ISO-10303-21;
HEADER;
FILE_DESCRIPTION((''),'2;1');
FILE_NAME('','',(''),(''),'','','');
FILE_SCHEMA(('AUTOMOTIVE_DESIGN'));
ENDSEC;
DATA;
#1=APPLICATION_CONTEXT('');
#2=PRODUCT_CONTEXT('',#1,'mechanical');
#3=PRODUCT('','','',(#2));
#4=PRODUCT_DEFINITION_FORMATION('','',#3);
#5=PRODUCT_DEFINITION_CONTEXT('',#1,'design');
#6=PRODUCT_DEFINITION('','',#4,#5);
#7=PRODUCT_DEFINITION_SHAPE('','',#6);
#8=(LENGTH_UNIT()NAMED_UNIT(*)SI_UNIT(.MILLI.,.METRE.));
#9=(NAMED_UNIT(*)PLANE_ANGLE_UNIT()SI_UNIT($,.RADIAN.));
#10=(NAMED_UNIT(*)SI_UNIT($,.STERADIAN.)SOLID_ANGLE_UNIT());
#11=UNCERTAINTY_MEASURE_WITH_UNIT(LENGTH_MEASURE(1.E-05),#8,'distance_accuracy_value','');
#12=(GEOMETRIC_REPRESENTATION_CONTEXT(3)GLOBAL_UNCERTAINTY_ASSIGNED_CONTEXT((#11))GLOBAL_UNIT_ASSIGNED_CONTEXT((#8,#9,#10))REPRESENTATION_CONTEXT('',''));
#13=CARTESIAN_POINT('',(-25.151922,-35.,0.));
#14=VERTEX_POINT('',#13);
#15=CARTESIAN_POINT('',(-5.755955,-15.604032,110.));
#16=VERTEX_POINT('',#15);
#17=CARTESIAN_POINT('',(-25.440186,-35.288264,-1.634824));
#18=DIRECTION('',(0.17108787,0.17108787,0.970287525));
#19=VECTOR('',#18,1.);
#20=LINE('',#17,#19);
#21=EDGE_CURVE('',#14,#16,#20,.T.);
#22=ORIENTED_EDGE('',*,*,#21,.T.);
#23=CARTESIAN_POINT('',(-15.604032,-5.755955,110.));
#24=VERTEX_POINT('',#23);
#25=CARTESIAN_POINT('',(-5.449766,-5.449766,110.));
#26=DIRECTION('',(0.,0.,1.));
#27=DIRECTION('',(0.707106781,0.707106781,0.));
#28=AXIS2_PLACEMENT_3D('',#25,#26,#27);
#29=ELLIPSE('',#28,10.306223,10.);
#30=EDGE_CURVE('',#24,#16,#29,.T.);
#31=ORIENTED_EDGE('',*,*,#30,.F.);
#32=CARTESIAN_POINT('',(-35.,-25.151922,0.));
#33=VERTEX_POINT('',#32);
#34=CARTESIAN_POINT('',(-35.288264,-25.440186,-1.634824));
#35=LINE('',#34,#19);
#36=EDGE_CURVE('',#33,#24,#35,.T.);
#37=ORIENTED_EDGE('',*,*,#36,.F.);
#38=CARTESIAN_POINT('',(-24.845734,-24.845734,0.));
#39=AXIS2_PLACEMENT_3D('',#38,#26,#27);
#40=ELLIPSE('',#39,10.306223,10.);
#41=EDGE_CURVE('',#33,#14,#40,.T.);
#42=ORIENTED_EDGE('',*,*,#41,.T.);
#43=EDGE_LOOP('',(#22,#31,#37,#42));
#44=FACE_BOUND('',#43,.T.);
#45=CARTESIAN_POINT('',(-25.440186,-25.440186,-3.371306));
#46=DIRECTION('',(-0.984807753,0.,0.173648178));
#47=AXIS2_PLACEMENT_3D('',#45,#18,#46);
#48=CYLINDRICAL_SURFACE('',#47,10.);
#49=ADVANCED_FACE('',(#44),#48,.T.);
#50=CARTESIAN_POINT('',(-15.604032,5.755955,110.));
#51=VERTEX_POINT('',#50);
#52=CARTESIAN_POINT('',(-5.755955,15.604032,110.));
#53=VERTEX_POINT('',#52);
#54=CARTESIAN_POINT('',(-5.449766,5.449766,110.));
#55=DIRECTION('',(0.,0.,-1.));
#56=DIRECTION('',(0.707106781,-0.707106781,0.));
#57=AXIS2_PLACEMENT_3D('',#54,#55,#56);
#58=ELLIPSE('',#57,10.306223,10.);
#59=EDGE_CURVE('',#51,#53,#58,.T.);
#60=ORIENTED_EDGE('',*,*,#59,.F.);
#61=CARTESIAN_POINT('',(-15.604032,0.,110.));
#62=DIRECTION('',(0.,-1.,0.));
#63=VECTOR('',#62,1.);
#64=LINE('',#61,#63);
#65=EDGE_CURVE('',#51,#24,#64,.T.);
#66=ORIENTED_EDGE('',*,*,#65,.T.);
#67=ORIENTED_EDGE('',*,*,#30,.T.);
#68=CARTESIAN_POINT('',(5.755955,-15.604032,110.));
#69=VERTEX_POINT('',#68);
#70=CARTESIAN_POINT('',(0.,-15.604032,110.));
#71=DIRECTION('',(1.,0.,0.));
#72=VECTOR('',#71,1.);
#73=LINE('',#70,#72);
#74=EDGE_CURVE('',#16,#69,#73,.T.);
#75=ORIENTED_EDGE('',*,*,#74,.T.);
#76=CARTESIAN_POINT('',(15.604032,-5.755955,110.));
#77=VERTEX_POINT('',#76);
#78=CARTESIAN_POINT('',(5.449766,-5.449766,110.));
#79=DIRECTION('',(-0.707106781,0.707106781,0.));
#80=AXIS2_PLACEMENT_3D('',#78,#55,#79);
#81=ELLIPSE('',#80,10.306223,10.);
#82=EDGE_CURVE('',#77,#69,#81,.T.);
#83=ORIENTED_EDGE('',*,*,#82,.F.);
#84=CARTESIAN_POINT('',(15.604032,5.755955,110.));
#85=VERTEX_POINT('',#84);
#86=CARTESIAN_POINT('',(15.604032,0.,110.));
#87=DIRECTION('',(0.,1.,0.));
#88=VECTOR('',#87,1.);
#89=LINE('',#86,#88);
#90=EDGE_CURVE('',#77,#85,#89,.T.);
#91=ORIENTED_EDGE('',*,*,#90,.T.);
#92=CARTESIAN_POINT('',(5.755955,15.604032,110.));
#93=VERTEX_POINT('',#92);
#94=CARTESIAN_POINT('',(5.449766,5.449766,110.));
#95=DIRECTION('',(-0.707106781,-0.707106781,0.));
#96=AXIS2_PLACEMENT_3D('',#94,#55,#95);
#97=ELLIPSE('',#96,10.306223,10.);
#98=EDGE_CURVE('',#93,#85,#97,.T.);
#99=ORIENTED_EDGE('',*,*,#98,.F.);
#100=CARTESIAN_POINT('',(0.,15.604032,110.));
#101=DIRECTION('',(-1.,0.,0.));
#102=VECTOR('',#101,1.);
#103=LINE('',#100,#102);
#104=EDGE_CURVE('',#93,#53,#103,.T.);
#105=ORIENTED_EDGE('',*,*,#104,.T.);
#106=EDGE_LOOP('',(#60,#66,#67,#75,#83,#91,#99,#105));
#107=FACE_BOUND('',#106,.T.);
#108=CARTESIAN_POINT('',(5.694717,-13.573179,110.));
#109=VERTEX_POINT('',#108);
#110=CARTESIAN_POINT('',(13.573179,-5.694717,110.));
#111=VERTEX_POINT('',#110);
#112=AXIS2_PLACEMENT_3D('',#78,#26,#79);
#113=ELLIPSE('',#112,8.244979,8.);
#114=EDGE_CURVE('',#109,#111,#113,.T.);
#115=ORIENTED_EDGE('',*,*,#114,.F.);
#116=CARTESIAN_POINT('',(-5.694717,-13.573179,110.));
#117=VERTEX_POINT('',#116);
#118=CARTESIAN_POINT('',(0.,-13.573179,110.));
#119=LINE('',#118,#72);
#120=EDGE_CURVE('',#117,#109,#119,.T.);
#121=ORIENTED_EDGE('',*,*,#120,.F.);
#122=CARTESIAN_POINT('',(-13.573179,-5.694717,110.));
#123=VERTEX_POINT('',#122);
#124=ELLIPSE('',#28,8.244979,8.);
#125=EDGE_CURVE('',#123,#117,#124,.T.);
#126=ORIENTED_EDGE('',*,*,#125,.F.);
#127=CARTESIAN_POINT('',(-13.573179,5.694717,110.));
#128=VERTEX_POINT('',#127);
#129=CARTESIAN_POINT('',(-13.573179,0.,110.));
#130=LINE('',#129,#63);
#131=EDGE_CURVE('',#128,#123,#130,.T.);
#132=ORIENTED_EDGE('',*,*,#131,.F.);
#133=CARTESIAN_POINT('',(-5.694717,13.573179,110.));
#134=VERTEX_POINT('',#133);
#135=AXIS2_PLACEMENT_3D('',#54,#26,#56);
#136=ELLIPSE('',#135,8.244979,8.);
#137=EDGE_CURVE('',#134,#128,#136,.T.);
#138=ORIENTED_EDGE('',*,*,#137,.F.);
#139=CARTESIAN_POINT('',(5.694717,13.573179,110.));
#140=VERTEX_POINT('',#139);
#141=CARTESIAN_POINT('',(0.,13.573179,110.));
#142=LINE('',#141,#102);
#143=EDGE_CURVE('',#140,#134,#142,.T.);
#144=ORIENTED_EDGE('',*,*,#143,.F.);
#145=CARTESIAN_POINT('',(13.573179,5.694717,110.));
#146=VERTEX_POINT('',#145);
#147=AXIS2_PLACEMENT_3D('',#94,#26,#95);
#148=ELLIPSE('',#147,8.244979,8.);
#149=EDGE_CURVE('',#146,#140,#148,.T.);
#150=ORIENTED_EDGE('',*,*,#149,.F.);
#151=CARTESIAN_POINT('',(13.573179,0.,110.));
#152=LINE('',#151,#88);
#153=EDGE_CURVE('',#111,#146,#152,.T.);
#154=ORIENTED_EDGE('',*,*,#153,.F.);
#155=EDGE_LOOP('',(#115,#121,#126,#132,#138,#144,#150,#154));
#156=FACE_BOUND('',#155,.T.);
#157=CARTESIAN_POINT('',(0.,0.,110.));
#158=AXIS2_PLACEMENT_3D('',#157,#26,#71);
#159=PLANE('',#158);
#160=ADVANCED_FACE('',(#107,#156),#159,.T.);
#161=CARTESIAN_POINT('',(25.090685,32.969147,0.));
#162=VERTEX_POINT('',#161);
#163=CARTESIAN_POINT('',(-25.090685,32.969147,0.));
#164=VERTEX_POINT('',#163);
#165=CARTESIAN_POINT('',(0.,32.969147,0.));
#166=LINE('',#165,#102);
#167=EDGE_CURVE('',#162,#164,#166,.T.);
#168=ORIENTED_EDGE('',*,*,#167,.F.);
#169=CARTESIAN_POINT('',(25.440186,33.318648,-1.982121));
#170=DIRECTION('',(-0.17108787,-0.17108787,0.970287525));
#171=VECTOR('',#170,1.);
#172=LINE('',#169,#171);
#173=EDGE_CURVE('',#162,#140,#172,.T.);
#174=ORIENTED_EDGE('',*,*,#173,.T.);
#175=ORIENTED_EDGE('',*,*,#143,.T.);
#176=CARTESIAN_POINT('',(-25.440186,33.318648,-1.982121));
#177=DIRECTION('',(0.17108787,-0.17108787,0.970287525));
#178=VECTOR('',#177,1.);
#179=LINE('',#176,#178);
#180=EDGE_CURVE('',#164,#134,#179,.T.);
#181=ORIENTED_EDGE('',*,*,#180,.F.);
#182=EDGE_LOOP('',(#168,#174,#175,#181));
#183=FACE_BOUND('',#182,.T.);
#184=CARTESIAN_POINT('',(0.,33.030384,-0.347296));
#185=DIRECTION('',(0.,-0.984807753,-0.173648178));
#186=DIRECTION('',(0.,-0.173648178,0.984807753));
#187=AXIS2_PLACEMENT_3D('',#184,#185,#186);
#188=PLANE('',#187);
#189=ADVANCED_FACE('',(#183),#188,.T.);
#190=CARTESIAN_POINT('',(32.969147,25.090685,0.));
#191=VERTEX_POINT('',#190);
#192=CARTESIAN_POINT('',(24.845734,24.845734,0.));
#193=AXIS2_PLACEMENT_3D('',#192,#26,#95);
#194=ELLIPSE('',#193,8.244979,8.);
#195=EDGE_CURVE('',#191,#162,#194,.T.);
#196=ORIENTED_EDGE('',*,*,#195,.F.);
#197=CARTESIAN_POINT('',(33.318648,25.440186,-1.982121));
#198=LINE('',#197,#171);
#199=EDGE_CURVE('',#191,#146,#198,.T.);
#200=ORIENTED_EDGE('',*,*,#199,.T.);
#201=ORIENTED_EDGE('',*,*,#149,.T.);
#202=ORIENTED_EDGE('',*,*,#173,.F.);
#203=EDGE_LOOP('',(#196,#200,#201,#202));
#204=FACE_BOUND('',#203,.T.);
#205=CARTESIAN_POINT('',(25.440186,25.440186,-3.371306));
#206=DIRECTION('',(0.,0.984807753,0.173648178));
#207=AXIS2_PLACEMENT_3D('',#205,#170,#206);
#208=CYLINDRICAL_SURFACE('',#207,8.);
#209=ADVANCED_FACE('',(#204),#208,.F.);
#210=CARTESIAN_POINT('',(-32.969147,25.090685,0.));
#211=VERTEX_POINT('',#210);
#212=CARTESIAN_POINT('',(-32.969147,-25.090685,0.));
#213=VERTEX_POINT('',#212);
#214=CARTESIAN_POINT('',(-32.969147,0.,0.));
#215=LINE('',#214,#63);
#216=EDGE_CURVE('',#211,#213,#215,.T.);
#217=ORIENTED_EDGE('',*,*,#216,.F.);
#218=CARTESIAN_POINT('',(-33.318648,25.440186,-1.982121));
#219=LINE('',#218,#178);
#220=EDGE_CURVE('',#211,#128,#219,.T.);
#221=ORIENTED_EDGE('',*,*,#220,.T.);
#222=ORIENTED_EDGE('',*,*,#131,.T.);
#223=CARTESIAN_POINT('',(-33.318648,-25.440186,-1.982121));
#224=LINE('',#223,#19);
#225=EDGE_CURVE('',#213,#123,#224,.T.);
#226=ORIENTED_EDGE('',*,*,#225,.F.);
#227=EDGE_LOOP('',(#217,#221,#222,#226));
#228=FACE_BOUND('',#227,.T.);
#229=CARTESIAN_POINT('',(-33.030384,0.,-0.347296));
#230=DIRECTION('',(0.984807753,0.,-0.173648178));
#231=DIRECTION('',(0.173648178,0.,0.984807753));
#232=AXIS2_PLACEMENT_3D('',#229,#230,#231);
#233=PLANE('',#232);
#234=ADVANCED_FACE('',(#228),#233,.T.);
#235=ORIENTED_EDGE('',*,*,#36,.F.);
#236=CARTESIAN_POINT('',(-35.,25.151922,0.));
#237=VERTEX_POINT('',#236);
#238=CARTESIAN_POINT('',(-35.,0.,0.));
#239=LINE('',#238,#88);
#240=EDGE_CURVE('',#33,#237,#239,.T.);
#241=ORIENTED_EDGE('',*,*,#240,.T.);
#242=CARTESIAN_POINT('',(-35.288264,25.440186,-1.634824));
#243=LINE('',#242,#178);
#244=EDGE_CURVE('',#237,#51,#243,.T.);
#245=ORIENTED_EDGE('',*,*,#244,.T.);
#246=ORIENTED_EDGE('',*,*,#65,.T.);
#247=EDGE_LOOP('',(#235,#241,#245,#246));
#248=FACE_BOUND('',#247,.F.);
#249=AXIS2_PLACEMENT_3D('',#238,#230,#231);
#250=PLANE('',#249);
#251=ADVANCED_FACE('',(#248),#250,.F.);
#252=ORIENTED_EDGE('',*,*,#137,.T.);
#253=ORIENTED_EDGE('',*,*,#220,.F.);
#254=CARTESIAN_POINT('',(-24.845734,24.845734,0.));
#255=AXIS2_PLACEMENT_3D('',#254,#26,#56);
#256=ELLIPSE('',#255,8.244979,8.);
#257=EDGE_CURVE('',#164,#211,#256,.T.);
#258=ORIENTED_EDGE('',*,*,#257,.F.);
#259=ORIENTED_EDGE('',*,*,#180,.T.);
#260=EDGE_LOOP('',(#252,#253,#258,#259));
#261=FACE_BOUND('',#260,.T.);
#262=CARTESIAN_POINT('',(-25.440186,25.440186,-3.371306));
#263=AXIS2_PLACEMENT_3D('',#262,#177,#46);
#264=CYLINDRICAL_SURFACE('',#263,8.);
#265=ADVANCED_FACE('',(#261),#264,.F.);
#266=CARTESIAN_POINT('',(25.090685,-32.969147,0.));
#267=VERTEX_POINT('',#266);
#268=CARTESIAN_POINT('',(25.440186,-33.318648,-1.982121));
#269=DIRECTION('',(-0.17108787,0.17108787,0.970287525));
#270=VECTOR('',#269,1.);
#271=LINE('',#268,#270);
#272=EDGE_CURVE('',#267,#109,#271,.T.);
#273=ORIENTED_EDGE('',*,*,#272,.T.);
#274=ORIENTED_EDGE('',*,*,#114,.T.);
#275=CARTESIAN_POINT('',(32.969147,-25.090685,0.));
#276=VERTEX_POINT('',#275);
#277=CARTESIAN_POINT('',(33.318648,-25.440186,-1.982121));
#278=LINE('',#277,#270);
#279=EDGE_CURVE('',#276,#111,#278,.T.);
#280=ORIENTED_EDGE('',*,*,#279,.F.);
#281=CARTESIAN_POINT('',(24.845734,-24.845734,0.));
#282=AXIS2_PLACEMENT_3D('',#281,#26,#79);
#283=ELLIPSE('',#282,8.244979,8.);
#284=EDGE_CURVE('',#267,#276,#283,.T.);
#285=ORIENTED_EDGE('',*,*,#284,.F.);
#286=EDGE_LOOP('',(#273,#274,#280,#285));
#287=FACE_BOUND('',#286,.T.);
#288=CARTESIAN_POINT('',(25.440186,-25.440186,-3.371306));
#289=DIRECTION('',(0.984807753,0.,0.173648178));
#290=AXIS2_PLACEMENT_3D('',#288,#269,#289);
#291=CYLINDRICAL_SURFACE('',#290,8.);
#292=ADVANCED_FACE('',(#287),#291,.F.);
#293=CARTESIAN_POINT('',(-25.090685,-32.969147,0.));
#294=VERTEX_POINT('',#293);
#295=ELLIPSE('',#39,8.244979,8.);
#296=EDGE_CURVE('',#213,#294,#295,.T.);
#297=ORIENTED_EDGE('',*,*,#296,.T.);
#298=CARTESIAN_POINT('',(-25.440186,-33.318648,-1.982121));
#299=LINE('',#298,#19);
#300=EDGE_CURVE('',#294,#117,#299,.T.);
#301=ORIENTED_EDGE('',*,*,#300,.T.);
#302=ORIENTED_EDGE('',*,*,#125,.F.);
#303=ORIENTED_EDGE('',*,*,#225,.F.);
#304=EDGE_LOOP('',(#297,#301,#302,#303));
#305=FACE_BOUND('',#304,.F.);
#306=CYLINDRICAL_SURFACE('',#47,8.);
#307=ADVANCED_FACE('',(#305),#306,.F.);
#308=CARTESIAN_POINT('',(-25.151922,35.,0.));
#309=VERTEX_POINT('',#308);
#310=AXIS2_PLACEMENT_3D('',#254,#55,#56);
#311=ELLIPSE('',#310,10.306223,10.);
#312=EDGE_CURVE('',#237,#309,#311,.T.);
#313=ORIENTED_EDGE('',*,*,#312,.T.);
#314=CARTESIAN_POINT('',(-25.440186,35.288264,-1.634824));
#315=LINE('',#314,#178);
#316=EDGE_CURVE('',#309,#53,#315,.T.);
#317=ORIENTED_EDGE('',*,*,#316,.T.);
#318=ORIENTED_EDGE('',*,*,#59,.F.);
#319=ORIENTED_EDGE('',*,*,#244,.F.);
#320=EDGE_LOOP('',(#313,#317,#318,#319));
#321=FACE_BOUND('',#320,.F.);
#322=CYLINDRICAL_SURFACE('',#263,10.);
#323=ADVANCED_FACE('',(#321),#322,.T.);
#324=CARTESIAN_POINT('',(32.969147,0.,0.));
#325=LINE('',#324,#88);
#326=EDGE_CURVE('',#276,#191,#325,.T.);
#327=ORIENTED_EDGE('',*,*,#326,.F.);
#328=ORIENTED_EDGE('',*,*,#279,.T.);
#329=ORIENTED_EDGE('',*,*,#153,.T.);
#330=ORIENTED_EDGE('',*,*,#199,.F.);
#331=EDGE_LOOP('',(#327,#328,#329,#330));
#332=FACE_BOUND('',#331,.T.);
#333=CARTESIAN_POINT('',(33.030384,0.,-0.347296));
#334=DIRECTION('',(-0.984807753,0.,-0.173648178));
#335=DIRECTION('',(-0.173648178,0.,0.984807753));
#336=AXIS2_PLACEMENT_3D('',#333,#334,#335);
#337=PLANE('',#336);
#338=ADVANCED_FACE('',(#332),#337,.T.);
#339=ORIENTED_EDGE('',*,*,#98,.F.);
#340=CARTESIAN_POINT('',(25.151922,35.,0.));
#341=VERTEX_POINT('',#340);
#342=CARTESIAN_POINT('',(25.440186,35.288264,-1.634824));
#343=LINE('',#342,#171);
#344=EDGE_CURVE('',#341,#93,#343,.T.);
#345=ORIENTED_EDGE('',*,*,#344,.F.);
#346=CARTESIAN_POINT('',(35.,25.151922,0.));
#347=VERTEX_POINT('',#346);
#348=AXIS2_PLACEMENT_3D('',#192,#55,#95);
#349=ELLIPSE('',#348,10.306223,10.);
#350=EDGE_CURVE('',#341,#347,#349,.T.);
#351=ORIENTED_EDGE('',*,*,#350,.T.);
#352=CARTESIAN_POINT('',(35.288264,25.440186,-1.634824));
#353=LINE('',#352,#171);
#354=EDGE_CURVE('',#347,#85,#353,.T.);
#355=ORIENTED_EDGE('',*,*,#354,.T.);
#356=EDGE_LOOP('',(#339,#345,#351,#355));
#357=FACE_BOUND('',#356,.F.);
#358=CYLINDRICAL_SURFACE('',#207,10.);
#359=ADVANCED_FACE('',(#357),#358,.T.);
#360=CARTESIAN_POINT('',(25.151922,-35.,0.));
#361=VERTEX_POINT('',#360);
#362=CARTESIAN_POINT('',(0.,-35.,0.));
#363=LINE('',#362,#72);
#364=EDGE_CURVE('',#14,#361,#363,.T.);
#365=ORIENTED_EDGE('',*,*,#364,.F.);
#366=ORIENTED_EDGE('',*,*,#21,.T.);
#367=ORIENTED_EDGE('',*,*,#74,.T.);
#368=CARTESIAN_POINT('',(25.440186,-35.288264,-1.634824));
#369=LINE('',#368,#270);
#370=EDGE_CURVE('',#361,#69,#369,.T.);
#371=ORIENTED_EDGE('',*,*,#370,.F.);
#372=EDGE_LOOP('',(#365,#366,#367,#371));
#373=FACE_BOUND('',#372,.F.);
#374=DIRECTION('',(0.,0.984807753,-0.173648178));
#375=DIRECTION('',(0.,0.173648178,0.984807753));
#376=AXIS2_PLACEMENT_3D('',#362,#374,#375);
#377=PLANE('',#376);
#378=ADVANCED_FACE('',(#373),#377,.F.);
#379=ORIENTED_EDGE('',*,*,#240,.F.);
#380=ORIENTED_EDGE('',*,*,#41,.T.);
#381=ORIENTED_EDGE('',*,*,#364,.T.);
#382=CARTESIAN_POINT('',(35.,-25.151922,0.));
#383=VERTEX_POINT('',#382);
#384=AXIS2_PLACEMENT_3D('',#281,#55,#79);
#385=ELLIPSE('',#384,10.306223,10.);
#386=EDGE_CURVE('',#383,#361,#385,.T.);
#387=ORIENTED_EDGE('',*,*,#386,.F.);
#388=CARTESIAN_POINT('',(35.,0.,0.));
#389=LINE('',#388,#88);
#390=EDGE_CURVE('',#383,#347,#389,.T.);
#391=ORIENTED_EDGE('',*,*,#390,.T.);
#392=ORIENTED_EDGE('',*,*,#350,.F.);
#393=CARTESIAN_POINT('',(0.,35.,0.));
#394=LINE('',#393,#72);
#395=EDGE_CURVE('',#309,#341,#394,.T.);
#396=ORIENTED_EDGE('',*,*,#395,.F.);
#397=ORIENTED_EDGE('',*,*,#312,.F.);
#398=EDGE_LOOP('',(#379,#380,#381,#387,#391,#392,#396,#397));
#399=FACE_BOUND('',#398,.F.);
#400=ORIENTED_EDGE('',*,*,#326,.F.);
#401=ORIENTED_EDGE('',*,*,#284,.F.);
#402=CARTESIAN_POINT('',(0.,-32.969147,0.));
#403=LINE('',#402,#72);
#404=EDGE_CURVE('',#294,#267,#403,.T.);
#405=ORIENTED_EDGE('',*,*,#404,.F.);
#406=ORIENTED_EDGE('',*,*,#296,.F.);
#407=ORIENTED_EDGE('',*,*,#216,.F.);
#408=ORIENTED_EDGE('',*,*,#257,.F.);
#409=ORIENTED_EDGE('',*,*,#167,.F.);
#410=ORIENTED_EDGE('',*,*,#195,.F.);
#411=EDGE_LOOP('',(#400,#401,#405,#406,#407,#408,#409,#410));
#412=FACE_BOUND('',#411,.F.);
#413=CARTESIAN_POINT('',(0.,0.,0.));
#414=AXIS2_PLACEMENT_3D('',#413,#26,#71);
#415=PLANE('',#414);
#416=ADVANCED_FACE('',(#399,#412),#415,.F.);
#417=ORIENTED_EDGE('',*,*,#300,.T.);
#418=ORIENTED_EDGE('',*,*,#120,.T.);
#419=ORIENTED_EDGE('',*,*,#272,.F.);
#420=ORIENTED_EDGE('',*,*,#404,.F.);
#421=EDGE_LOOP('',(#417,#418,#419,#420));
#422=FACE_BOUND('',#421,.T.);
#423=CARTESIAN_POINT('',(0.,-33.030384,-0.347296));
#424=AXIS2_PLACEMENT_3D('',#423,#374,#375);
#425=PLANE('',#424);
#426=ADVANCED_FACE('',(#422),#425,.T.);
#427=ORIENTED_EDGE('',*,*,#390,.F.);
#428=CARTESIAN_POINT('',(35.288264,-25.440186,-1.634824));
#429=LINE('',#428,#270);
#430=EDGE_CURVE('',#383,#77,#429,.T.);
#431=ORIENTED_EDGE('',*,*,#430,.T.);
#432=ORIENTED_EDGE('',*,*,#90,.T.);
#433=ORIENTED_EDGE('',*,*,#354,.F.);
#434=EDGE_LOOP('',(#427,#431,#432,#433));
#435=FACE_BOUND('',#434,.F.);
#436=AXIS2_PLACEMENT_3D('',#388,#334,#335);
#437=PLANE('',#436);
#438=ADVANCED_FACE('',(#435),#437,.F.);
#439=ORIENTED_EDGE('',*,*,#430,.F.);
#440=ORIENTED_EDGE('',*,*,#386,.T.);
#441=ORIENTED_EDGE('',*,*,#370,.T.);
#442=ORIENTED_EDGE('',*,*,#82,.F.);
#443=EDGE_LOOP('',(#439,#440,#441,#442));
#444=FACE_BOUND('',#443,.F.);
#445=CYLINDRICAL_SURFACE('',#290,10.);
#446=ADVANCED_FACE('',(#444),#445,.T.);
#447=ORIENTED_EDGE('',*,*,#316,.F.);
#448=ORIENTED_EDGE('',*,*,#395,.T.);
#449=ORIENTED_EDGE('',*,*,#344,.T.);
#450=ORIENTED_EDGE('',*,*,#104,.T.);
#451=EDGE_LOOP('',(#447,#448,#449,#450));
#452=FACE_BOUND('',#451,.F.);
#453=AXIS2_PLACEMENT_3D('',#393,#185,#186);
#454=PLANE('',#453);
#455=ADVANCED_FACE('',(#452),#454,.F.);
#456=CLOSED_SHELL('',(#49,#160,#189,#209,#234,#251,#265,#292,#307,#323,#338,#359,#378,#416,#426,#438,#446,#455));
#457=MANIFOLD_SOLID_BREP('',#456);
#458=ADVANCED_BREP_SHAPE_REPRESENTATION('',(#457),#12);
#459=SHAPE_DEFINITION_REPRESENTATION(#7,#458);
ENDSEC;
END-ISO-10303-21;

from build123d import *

# Parameters (mm, degrees)
F0_W     = 70
F0_H     = 70
F1_DEPTH = 110
F1_TAPER = 10
F2_R     = 10
F3_T     = -2


with BuildPart() as f1:
    # F0 (on Top) → F1 (new body)
    with BuildSketch(Plane.XY):
        Rectangle(F0_W, F0_H)
    extrude(amount=F1_DEPTH, taper=F1_TAPER)

    # F2
    f2_edges = [f1.edges().sort_by_distance(p)[0] for p in [
        (25.302016, -25.302016, 55),
        (25.302016, 25.302016, 55),
        (-25.302016, -25.302016, 55),
        (-25.302016, 25.302016, 55),
    ]]
    fillet(f2_edges, radius=F2_R)

    # F3
    f3_openings = [f1.faces().sort_by_distance(p)[0] for p in [
        (0, 0, 0),
        (0, 0, 110),
    ]]
    offset(amount=F3_T, openings=f3_openings)


solid = f1.part
